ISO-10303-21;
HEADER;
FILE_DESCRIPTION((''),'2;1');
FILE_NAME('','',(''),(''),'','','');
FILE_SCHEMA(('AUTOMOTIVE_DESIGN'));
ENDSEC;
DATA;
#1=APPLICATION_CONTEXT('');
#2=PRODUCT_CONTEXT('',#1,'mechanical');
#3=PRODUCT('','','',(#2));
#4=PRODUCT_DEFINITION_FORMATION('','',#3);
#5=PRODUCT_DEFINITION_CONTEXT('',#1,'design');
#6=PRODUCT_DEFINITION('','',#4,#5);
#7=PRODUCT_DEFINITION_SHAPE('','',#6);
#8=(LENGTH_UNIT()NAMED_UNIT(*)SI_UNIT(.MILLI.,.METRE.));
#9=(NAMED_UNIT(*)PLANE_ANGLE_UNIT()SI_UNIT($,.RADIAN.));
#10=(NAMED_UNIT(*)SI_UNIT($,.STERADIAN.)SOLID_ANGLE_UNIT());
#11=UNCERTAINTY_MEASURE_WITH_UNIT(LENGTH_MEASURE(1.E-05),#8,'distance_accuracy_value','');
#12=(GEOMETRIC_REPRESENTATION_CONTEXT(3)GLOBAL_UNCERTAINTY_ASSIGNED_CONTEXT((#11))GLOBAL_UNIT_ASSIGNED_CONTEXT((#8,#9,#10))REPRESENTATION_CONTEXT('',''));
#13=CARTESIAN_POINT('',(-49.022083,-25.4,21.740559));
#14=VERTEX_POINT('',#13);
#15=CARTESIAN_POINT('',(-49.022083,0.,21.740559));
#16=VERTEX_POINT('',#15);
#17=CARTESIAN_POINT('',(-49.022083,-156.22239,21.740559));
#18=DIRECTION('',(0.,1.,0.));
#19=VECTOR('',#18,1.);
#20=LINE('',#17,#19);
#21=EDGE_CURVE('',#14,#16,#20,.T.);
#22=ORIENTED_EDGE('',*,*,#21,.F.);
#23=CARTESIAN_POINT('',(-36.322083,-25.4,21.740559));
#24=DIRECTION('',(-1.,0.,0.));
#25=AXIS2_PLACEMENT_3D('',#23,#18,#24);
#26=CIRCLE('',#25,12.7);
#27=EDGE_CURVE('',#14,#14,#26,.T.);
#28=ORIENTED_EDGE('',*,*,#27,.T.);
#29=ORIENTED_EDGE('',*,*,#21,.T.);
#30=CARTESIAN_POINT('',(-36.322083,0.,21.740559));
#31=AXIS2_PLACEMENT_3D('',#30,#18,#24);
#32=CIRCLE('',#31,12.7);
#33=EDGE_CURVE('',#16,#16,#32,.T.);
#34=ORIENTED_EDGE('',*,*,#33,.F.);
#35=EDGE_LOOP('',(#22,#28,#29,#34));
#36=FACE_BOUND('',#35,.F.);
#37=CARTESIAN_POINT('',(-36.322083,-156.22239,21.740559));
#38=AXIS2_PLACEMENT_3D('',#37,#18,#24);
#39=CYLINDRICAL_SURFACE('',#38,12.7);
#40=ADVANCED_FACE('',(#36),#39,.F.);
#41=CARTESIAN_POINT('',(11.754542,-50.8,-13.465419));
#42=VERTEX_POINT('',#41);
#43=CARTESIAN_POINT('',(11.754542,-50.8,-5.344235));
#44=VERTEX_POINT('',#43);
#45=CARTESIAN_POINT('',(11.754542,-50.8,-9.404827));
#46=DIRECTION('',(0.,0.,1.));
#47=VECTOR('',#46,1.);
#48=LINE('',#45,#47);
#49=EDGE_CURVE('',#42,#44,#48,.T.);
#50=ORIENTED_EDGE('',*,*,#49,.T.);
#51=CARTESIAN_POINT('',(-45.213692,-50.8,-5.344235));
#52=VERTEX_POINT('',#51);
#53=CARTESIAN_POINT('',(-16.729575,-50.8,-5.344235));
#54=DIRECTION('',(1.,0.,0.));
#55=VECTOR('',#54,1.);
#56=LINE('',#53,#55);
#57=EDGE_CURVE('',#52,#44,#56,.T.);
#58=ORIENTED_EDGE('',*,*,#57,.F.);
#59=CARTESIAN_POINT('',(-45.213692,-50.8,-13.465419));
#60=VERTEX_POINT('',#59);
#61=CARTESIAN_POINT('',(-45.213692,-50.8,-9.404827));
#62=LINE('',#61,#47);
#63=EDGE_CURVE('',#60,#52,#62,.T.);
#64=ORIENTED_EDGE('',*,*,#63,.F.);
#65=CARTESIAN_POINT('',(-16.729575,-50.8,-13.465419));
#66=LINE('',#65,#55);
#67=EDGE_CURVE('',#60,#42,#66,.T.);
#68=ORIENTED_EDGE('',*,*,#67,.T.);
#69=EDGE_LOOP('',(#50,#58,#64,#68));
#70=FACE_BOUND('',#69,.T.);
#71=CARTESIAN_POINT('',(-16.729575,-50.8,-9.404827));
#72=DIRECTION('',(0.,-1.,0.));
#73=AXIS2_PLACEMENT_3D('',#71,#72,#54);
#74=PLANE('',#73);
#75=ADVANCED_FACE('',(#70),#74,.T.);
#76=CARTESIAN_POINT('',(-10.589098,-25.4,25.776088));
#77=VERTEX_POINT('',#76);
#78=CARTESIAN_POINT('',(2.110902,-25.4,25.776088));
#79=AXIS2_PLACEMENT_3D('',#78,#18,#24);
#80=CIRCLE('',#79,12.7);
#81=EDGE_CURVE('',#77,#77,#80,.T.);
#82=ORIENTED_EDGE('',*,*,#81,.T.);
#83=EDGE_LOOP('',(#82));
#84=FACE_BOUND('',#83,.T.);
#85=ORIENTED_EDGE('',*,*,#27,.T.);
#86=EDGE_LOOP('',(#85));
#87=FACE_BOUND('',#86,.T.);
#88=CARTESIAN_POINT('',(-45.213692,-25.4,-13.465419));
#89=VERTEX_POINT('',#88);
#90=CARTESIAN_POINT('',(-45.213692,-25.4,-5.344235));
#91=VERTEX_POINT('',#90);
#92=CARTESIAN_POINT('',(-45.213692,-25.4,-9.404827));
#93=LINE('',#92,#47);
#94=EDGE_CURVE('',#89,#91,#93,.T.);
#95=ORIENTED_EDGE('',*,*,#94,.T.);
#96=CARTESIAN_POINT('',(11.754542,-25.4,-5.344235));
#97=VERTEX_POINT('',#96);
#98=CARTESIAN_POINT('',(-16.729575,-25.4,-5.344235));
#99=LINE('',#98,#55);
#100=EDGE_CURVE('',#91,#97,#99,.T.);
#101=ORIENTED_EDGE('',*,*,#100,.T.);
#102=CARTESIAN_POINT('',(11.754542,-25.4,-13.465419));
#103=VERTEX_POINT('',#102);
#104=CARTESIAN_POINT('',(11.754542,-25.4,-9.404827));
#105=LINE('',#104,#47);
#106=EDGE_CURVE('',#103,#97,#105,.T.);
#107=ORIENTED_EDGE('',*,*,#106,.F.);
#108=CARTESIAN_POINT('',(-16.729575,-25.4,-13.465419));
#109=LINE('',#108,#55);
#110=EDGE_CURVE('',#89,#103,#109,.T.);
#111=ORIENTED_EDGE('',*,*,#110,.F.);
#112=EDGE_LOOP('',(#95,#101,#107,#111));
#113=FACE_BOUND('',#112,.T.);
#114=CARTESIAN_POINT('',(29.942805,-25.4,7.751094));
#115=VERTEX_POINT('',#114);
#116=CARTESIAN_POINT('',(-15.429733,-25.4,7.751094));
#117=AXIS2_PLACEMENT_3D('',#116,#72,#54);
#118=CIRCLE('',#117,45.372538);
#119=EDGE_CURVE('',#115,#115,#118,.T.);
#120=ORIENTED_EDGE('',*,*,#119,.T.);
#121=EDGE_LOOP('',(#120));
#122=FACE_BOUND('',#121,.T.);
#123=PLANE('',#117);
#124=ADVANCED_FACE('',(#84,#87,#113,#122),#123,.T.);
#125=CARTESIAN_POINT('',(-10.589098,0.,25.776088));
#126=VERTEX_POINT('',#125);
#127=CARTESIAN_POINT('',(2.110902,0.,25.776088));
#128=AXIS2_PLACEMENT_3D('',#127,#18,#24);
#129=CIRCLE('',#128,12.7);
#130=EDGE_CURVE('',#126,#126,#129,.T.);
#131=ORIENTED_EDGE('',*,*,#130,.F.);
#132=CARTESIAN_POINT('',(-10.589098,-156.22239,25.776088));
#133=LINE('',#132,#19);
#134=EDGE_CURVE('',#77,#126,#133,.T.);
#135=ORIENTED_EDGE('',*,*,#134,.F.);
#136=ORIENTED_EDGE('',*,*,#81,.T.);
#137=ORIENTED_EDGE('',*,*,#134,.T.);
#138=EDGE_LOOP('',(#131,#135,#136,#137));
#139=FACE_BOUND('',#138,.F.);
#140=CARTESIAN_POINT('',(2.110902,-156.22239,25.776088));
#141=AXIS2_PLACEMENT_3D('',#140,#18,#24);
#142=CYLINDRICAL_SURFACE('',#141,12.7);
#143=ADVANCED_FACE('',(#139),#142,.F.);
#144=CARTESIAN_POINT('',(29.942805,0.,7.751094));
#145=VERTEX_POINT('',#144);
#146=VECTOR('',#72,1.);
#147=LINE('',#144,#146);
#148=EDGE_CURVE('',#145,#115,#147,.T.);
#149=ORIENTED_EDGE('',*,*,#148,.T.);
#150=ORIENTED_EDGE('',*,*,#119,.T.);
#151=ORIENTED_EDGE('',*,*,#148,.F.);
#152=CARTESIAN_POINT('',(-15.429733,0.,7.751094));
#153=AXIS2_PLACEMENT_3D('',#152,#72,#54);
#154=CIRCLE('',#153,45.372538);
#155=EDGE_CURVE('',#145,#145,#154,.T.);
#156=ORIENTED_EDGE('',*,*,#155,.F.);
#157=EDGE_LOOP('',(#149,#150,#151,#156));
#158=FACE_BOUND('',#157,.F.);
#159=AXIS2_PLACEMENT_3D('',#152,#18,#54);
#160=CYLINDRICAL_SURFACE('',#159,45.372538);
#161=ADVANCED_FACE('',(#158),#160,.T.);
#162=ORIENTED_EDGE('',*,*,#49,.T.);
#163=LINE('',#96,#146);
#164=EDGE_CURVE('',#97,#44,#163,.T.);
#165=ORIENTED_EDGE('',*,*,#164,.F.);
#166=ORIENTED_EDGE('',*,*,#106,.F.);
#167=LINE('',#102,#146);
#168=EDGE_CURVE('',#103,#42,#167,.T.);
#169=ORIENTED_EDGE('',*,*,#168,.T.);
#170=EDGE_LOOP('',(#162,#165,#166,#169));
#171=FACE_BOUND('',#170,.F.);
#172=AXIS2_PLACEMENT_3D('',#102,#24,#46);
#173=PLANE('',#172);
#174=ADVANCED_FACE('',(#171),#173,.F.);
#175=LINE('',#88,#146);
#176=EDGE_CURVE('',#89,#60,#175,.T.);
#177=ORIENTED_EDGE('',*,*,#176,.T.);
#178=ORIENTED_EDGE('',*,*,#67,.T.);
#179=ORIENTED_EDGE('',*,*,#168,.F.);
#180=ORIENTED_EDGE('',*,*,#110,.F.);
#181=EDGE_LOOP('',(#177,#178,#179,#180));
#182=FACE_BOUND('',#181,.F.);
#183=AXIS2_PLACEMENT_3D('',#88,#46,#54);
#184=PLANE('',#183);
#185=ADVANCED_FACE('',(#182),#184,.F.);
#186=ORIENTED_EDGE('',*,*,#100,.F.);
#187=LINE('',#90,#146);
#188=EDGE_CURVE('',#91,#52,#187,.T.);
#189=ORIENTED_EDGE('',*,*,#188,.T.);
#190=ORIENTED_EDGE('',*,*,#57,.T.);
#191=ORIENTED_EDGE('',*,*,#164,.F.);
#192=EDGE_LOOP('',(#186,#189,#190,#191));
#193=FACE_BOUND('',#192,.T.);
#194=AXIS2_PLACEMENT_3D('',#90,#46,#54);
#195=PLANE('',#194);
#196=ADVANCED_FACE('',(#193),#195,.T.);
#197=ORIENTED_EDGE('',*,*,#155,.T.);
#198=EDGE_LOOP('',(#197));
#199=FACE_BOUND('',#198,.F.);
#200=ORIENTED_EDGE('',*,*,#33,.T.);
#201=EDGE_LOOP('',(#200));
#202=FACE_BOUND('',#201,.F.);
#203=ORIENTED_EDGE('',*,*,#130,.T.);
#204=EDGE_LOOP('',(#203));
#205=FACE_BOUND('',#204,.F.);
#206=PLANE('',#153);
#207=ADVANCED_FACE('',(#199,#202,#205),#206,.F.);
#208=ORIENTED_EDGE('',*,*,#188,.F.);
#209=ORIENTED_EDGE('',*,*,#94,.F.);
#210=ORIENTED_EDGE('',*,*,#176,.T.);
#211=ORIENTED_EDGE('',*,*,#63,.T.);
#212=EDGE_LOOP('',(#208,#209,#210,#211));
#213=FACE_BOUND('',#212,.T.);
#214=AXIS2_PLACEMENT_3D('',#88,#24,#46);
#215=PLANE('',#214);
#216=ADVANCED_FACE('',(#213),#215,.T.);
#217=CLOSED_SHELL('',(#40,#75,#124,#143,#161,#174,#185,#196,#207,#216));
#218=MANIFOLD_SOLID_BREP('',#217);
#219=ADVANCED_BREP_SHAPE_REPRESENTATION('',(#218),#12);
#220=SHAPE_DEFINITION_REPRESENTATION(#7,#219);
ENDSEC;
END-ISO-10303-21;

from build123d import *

# Parameters (mm, degrees)
F0_R     = 45.372538
F1_DEPTH = 25.4
F3_D     = 25.4
F5_D     = 25.4
F6_W     = 56.968233
F6_H     = 8.121184
F7_DEPTH = 25.4


with BuildPart() as f1:
    # F0 (on Front) → F1 (new body)
    with BuildSketch(Plane.XZ):
        with Locations((-15.429733, 7.751094)):
            Circle(F0_R)
    extrude(amount=F1_DEPTH)

    # F3 (through all)
    with Locations(Plane.XZ.offset(25.4)):
        with Locations((-36.322083, 21.740559)):
            Hole(F3_D / 2)

    # F5 (through all)
    with Locations(Plane.XZ.offset(25.4)):
        with Locations((2.110902, 25.776088)):
            Hole(F5_D / 2)

    # F6 (on face) → F7 (join)
    with BuildSketch(Plane.XZ.offset(25.4)):
        with Locations((-16.729575, -9.404827)):
            Rectangle(F6_W, F6_H)
    extrude(amount=F7_DEPTH)


solid = f1.part
